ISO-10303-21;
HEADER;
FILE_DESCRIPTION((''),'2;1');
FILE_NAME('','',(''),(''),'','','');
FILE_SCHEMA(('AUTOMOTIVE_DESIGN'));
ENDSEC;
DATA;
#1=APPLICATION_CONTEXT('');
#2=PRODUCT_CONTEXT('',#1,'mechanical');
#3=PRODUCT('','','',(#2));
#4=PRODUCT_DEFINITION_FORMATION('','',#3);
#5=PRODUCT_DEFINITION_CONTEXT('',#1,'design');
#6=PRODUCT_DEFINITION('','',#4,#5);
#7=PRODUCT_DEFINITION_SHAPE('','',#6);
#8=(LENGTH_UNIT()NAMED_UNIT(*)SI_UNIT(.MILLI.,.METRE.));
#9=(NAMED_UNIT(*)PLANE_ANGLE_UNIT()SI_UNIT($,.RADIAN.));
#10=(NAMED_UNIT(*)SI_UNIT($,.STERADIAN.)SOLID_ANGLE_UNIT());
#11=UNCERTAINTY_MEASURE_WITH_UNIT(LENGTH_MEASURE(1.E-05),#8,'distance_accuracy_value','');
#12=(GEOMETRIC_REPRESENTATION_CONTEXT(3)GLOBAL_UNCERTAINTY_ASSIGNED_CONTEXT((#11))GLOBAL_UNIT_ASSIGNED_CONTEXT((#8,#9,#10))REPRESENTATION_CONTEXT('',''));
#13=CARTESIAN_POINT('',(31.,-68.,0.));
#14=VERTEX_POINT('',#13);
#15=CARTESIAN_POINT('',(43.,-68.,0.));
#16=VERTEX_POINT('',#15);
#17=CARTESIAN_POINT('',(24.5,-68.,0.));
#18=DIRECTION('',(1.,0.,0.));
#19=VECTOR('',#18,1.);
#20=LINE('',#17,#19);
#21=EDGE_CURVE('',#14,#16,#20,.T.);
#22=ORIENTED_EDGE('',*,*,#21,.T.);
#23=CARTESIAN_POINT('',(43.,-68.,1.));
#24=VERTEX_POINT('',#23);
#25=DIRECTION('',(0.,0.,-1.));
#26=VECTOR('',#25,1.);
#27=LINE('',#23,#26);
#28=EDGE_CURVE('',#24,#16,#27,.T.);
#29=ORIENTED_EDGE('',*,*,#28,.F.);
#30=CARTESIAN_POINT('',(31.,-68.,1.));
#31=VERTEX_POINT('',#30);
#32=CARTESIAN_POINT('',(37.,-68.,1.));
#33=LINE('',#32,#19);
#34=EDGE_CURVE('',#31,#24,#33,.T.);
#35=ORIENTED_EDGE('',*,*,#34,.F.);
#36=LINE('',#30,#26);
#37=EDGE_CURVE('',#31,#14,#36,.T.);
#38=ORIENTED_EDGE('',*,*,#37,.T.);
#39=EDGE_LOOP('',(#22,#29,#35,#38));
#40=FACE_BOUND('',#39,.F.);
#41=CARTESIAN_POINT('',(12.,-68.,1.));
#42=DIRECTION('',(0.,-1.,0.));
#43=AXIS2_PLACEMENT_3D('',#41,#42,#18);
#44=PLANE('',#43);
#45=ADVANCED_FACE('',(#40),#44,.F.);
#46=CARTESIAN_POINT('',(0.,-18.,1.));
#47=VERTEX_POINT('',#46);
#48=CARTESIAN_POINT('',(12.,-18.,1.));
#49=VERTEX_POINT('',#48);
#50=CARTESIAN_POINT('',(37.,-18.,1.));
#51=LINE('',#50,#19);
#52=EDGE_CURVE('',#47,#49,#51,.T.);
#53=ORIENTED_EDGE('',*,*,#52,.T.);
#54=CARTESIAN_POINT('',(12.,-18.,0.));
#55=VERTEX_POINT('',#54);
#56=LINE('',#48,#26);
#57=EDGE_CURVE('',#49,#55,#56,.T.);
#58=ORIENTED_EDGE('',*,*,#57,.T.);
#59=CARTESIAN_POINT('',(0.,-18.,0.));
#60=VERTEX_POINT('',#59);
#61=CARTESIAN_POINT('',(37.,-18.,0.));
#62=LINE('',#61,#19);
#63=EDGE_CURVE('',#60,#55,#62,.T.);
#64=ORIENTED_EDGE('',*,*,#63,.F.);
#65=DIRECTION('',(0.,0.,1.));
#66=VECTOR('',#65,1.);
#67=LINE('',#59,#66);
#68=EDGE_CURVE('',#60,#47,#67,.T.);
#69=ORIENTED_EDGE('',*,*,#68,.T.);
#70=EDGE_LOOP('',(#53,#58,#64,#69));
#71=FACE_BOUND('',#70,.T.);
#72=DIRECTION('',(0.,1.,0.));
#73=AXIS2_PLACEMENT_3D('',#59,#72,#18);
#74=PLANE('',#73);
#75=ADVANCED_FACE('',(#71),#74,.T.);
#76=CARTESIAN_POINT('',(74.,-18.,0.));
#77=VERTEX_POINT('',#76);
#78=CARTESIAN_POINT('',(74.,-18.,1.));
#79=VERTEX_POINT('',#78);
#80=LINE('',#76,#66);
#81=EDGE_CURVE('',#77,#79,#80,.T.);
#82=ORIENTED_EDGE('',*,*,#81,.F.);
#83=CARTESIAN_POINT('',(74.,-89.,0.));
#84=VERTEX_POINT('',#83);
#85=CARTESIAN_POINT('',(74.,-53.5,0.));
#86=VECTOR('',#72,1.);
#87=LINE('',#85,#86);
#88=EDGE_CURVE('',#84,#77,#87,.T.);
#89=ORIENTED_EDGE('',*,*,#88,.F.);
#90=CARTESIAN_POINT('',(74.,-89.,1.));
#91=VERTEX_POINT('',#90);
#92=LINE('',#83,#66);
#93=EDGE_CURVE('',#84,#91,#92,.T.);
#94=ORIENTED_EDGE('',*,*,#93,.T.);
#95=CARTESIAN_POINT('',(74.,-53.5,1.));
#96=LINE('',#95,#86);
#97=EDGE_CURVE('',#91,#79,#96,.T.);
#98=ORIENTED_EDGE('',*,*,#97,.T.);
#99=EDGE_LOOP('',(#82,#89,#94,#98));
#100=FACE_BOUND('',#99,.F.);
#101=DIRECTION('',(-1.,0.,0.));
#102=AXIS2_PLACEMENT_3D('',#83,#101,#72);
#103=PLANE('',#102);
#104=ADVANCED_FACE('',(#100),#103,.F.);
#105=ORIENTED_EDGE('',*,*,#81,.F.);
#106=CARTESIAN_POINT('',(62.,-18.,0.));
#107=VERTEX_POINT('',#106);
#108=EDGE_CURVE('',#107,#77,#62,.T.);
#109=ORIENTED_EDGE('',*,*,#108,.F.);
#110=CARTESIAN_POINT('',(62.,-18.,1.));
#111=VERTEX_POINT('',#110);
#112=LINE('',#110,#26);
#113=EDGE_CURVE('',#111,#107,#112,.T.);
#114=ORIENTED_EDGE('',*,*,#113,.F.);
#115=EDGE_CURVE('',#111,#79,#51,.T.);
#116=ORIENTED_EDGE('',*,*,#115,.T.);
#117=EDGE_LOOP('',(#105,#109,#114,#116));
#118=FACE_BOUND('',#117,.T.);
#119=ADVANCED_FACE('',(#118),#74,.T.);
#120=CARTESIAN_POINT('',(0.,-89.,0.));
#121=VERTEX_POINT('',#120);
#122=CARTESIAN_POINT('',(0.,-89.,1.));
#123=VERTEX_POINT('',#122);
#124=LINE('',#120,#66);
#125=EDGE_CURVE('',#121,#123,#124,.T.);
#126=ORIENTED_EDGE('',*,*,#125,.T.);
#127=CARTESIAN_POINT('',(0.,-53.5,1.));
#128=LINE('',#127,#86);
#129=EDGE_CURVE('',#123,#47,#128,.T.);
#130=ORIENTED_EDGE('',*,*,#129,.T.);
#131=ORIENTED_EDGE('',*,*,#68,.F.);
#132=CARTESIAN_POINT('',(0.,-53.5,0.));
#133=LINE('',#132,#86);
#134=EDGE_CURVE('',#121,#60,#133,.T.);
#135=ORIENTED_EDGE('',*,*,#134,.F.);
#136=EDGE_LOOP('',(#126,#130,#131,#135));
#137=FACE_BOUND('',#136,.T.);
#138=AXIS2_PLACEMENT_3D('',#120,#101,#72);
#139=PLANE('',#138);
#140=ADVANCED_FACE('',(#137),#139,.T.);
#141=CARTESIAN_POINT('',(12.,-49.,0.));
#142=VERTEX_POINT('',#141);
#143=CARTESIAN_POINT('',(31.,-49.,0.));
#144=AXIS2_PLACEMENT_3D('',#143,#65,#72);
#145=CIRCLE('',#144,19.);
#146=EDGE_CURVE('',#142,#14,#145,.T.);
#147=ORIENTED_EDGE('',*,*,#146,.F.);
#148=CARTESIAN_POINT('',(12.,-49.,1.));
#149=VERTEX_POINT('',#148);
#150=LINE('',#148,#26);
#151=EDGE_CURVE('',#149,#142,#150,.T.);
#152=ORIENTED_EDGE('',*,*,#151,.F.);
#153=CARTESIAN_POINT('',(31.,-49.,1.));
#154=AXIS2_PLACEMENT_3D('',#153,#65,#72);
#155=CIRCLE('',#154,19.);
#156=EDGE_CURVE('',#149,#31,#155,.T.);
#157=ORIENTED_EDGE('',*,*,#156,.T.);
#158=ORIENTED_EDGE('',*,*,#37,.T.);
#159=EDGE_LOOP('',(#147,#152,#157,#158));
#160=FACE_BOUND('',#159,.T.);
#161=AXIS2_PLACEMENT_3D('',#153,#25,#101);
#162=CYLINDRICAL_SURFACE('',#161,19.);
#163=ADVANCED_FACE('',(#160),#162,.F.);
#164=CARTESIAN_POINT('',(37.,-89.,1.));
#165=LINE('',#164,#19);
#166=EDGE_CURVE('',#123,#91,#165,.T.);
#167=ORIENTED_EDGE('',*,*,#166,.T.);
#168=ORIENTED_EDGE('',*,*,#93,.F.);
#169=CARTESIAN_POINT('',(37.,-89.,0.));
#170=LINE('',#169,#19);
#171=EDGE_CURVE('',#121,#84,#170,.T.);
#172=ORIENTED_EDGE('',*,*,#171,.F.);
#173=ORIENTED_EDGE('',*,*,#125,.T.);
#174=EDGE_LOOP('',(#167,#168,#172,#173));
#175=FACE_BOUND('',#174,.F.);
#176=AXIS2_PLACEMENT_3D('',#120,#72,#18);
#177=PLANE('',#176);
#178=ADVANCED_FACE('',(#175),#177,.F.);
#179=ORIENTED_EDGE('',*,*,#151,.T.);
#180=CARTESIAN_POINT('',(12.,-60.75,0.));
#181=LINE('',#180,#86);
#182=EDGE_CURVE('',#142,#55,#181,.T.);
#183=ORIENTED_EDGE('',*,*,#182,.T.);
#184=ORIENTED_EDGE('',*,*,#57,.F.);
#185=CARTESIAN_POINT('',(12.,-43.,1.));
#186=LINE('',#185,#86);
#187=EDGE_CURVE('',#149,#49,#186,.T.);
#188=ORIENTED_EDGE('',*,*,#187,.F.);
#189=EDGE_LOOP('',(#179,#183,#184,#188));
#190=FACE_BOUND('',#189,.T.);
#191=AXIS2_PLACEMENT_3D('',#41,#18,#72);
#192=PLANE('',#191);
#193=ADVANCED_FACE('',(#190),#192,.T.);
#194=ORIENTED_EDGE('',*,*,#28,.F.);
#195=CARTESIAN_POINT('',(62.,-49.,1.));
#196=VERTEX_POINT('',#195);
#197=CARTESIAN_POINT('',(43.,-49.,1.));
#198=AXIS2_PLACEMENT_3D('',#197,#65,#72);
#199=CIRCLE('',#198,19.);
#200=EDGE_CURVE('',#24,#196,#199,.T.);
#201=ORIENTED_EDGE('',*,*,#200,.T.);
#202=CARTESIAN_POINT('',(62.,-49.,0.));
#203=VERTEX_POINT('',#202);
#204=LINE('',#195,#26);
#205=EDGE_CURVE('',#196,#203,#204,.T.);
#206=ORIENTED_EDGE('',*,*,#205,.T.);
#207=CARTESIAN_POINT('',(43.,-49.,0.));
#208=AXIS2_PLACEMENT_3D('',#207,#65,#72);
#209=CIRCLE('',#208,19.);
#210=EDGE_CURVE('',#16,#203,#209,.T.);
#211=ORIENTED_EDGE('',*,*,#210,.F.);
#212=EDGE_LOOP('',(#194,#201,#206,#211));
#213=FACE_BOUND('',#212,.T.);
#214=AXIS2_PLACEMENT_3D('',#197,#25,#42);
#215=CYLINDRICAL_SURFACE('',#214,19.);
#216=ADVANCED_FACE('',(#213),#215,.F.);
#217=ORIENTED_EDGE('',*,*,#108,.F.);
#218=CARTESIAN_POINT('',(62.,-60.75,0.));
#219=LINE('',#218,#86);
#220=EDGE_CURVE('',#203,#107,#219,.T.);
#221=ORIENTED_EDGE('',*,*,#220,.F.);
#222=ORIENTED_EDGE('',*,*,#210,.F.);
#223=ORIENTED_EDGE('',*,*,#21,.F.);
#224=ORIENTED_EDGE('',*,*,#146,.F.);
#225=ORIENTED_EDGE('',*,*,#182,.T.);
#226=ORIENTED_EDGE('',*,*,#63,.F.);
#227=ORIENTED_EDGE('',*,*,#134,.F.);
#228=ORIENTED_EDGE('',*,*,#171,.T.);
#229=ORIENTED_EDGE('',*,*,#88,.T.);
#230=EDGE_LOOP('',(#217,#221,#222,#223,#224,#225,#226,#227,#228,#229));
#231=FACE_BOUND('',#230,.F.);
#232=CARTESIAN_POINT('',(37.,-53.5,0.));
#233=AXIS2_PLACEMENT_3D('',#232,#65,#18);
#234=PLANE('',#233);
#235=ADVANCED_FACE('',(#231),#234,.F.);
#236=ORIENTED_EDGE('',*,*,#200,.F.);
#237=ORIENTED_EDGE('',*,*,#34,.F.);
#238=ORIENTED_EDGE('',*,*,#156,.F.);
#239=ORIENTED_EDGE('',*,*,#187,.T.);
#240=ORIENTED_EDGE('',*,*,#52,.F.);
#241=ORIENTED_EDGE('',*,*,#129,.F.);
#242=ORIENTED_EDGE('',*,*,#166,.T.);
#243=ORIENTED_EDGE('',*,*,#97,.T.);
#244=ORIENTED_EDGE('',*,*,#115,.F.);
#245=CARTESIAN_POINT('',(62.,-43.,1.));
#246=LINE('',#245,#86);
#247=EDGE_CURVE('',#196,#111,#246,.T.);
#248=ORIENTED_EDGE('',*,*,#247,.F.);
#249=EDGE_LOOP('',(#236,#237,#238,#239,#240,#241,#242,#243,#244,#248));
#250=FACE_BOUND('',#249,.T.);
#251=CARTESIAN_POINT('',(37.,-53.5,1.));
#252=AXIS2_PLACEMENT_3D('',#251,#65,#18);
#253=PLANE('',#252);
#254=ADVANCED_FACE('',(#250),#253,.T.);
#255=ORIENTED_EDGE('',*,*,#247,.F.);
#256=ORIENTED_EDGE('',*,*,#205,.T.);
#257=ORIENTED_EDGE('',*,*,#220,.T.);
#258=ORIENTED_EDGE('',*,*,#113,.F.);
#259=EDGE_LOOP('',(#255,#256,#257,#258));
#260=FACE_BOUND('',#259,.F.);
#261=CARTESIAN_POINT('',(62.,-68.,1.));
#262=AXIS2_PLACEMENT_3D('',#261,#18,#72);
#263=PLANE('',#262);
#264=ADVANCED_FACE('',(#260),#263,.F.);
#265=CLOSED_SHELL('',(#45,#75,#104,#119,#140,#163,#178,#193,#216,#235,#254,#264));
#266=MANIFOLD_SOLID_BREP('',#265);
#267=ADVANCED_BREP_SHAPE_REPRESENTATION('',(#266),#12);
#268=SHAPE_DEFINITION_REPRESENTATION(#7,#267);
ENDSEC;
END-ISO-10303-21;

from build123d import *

# Parameters (mm, degrees)
BOX001_W        = 74
BOX001_H        = 71
BOX001_DEPTH    = 1
SKETCH016_W     = 50
SKETCH016_H     = 50
POCKET009_DEPTH = 1.001
FILLET001_R     = 19


with BuildPart() as part:
    # Box001 → Box001 (new body)
    with BuildSketch(Plane(origin=(2, 0, 1), x_dir=(1, 0, 0), z_dir=(0, 0, 1))):
        with Locations((37, 35.5)):
            Rectangle(BOX001_W, BOX001_H)
    extrude(amount=BOX001_DEPTH)


with BuildPart() as part_1:
    # BaseFeature001 placement: moved
    add(part.part.moved(Location((-2, 0, -1))))

    # Sketch016 (on Face6 of BaseFeature001) → Pocket009 (cut, through all)
    with BuildSketch(Plane.XY.offset(1)):
        with Locations((37, 46)):
            Rectangle(SKETCH016_W, SKETCH016_H)
    extrude(amount=-POCKET009_DEPTH, mode=Mode.SUBTRACT)

    # Fillet001
    fillet001_edges = [part_1.edges().sort_by_distance(p)[0] for p in [
        (12, 21, 0.5),
        (62, 21, 0.5),
    ]]
    fillet(fillet001_edges, radius=FILLET001_R)


with BuildPart() as part_2:
    # Body001 placement: moved
    add(part_1.part.moved(Location((0, -89, 0))))


solid = part_2.part
